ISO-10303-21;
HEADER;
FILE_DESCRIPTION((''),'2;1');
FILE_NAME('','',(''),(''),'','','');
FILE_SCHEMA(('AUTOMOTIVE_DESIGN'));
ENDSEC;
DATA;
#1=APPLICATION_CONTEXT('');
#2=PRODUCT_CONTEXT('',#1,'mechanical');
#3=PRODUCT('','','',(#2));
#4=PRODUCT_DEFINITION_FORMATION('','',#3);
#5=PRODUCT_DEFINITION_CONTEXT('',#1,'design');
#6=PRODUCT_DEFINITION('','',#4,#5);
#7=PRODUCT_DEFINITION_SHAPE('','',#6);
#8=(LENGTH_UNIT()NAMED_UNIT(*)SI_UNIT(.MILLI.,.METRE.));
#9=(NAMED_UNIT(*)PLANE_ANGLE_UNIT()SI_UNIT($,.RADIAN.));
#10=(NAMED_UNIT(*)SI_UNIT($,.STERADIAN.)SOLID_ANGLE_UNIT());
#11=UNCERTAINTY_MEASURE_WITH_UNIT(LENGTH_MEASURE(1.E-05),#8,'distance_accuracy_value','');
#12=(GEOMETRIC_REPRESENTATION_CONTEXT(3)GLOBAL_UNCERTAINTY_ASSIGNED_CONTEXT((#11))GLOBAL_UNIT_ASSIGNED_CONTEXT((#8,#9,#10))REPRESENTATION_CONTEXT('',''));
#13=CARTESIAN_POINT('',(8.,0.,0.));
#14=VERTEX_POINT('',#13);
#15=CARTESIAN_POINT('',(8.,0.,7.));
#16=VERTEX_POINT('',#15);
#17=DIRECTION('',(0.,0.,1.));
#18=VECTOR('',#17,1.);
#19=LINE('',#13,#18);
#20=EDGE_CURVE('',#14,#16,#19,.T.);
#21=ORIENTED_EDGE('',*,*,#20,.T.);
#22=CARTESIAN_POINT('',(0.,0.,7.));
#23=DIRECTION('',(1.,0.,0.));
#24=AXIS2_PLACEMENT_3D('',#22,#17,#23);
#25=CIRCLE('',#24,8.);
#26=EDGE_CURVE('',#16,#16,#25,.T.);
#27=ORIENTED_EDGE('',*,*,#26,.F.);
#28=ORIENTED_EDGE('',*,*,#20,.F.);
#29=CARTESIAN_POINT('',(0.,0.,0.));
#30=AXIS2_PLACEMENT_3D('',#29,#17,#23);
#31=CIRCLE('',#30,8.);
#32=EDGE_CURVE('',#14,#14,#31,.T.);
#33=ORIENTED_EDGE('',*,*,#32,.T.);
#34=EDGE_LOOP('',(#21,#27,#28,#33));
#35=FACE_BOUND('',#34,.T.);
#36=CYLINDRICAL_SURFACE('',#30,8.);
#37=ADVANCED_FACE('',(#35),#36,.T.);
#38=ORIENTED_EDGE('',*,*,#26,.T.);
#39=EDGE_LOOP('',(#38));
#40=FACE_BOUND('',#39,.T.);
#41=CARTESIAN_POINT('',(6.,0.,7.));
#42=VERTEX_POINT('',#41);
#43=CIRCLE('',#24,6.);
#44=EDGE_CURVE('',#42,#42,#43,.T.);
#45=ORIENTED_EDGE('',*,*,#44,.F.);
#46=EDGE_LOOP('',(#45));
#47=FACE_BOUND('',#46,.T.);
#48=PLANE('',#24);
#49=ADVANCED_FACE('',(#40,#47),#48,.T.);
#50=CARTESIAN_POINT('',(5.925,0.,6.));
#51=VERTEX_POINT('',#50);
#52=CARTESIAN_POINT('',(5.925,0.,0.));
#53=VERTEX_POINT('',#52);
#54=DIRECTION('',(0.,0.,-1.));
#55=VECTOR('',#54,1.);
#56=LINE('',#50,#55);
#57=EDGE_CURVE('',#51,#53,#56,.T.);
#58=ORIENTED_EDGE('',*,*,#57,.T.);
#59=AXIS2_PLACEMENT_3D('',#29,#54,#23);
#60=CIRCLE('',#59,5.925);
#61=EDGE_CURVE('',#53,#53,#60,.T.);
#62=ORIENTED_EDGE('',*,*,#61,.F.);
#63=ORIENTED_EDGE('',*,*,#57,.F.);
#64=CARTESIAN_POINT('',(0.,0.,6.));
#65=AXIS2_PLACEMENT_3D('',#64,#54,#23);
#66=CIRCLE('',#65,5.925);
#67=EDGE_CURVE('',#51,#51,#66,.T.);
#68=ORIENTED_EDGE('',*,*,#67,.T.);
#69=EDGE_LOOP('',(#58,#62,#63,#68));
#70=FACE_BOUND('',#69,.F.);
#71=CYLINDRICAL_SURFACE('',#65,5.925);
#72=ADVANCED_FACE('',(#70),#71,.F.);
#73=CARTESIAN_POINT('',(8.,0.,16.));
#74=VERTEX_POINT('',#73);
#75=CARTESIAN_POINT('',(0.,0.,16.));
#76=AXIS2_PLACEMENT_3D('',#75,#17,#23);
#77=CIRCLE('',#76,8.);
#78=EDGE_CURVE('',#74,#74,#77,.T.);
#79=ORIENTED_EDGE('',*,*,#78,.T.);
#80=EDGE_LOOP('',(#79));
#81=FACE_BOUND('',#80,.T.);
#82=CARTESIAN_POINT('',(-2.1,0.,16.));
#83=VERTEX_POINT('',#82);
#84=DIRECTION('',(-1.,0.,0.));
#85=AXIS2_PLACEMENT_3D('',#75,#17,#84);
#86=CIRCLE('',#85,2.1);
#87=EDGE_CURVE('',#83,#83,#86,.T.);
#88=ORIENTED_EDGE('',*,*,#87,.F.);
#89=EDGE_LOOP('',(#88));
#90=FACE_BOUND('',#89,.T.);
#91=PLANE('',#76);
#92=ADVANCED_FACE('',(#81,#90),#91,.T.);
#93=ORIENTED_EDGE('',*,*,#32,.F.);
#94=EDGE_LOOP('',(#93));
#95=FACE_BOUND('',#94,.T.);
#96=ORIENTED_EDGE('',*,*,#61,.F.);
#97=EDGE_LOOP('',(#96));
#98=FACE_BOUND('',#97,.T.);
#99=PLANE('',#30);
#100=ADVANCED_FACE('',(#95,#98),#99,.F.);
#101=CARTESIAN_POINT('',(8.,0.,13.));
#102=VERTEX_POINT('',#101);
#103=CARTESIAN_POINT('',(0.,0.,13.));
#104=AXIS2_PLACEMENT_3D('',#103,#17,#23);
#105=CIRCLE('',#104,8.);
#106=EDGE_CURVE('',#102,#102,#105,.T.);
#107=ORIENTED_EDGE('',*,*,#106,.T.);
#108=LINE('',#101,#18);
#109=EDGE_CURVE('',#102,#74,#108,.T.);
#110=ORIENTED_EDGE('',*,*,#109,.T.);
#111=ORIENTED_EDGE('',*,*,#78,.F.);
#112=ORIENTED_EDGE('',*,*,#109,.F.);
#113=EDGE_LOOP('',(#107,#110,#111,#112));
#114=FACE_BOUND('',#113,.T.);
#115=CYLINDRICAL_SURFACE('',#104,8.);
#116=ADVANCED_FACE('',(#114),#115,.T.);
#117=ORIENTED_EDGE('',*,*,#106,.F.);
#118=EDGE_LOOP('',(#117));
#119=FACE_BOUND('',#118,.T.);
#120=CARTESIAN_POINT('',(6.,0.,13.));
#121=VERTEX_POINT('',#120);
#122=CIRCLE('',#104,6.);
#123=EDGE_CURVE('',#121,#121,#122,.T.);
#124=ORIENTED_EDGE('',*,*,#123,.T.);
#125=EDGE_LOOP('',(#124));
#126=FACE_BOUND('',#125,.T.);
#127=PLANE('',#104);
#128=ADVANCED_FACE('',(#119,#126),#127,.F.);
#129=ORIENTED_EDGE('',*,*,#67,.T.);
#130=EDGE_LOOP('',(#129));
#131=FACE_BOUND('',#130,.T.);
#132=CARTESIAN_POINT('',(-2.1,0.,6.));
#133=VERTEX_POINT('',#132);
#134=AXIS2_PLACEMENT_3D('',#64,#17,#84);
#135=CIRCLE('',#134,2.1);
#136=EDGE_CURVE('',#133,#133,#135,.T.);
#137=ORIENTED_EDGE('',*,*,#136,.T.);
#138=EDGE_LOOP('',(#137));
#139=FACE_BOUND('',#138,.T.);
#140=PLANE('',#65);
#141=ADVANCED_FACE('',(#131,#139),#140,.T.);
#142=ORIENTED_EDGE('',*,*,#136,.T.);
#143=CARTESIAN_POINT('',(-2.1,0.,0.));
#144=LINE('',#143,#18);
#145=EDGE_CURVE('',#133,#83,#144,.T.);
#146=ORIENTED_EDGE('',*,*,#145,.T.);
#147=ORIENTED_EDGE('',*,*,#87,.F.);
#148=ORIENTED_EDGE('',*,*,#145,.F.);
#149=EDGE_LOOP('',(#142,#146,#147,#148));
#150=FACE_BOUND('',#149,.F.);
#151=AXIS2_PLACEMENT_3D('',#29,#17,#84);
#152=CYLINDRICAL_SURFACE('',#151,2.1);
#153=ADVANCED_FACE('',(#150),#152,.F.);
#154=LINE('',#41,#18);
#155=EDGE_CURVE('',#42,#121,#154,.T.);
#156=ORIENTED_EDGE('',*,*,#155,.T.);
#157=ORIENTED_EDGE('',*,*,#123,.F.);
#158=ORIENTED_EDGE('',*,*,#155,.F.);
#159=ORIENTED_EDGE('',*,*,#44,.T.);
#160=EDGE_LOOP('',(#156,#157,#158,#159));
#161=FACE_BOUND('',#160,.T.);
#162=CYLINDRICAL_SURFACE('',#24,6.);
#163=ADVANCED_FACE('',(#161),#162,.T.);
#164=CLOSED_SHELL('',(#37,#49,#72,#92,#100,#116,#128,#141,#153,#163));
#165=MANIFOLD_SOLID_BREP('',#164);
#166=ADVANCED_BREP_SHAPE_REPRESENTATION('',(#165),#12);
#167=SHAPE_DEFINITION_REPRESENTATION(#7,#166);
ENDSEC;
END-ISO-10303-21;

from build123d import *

# Parameters (mm, degrees)
F3_D           = 4.2
F3_CBORE_D     = 11.85
F3_CBORE_DEPTH = 6


with BuildPart() as f1:
    # F0 (on Front) → F1 (revolve)
    with BuildSketch(Plane.XZ):
        Polygon((8, 13), (8, 16), (0, 16), (0, 0), (8, 0), (8, 7), (6, 7), (6, 13), align=None)
    revolve(axis=Axis((0, 0, 8), (0, 0, 1)))

    # F3 (through all)
    with Locations(Plane(origin=(0, 0, 0), x_dir=(1, 0, 0), z_dir=(0, 0, -1))):
        with Locations((0, 0)):
            CounterBoreHole(F3_D / 2, F3_CBORE_D / 2, F3_CBORE_DEPTH)


solid = f1.part
